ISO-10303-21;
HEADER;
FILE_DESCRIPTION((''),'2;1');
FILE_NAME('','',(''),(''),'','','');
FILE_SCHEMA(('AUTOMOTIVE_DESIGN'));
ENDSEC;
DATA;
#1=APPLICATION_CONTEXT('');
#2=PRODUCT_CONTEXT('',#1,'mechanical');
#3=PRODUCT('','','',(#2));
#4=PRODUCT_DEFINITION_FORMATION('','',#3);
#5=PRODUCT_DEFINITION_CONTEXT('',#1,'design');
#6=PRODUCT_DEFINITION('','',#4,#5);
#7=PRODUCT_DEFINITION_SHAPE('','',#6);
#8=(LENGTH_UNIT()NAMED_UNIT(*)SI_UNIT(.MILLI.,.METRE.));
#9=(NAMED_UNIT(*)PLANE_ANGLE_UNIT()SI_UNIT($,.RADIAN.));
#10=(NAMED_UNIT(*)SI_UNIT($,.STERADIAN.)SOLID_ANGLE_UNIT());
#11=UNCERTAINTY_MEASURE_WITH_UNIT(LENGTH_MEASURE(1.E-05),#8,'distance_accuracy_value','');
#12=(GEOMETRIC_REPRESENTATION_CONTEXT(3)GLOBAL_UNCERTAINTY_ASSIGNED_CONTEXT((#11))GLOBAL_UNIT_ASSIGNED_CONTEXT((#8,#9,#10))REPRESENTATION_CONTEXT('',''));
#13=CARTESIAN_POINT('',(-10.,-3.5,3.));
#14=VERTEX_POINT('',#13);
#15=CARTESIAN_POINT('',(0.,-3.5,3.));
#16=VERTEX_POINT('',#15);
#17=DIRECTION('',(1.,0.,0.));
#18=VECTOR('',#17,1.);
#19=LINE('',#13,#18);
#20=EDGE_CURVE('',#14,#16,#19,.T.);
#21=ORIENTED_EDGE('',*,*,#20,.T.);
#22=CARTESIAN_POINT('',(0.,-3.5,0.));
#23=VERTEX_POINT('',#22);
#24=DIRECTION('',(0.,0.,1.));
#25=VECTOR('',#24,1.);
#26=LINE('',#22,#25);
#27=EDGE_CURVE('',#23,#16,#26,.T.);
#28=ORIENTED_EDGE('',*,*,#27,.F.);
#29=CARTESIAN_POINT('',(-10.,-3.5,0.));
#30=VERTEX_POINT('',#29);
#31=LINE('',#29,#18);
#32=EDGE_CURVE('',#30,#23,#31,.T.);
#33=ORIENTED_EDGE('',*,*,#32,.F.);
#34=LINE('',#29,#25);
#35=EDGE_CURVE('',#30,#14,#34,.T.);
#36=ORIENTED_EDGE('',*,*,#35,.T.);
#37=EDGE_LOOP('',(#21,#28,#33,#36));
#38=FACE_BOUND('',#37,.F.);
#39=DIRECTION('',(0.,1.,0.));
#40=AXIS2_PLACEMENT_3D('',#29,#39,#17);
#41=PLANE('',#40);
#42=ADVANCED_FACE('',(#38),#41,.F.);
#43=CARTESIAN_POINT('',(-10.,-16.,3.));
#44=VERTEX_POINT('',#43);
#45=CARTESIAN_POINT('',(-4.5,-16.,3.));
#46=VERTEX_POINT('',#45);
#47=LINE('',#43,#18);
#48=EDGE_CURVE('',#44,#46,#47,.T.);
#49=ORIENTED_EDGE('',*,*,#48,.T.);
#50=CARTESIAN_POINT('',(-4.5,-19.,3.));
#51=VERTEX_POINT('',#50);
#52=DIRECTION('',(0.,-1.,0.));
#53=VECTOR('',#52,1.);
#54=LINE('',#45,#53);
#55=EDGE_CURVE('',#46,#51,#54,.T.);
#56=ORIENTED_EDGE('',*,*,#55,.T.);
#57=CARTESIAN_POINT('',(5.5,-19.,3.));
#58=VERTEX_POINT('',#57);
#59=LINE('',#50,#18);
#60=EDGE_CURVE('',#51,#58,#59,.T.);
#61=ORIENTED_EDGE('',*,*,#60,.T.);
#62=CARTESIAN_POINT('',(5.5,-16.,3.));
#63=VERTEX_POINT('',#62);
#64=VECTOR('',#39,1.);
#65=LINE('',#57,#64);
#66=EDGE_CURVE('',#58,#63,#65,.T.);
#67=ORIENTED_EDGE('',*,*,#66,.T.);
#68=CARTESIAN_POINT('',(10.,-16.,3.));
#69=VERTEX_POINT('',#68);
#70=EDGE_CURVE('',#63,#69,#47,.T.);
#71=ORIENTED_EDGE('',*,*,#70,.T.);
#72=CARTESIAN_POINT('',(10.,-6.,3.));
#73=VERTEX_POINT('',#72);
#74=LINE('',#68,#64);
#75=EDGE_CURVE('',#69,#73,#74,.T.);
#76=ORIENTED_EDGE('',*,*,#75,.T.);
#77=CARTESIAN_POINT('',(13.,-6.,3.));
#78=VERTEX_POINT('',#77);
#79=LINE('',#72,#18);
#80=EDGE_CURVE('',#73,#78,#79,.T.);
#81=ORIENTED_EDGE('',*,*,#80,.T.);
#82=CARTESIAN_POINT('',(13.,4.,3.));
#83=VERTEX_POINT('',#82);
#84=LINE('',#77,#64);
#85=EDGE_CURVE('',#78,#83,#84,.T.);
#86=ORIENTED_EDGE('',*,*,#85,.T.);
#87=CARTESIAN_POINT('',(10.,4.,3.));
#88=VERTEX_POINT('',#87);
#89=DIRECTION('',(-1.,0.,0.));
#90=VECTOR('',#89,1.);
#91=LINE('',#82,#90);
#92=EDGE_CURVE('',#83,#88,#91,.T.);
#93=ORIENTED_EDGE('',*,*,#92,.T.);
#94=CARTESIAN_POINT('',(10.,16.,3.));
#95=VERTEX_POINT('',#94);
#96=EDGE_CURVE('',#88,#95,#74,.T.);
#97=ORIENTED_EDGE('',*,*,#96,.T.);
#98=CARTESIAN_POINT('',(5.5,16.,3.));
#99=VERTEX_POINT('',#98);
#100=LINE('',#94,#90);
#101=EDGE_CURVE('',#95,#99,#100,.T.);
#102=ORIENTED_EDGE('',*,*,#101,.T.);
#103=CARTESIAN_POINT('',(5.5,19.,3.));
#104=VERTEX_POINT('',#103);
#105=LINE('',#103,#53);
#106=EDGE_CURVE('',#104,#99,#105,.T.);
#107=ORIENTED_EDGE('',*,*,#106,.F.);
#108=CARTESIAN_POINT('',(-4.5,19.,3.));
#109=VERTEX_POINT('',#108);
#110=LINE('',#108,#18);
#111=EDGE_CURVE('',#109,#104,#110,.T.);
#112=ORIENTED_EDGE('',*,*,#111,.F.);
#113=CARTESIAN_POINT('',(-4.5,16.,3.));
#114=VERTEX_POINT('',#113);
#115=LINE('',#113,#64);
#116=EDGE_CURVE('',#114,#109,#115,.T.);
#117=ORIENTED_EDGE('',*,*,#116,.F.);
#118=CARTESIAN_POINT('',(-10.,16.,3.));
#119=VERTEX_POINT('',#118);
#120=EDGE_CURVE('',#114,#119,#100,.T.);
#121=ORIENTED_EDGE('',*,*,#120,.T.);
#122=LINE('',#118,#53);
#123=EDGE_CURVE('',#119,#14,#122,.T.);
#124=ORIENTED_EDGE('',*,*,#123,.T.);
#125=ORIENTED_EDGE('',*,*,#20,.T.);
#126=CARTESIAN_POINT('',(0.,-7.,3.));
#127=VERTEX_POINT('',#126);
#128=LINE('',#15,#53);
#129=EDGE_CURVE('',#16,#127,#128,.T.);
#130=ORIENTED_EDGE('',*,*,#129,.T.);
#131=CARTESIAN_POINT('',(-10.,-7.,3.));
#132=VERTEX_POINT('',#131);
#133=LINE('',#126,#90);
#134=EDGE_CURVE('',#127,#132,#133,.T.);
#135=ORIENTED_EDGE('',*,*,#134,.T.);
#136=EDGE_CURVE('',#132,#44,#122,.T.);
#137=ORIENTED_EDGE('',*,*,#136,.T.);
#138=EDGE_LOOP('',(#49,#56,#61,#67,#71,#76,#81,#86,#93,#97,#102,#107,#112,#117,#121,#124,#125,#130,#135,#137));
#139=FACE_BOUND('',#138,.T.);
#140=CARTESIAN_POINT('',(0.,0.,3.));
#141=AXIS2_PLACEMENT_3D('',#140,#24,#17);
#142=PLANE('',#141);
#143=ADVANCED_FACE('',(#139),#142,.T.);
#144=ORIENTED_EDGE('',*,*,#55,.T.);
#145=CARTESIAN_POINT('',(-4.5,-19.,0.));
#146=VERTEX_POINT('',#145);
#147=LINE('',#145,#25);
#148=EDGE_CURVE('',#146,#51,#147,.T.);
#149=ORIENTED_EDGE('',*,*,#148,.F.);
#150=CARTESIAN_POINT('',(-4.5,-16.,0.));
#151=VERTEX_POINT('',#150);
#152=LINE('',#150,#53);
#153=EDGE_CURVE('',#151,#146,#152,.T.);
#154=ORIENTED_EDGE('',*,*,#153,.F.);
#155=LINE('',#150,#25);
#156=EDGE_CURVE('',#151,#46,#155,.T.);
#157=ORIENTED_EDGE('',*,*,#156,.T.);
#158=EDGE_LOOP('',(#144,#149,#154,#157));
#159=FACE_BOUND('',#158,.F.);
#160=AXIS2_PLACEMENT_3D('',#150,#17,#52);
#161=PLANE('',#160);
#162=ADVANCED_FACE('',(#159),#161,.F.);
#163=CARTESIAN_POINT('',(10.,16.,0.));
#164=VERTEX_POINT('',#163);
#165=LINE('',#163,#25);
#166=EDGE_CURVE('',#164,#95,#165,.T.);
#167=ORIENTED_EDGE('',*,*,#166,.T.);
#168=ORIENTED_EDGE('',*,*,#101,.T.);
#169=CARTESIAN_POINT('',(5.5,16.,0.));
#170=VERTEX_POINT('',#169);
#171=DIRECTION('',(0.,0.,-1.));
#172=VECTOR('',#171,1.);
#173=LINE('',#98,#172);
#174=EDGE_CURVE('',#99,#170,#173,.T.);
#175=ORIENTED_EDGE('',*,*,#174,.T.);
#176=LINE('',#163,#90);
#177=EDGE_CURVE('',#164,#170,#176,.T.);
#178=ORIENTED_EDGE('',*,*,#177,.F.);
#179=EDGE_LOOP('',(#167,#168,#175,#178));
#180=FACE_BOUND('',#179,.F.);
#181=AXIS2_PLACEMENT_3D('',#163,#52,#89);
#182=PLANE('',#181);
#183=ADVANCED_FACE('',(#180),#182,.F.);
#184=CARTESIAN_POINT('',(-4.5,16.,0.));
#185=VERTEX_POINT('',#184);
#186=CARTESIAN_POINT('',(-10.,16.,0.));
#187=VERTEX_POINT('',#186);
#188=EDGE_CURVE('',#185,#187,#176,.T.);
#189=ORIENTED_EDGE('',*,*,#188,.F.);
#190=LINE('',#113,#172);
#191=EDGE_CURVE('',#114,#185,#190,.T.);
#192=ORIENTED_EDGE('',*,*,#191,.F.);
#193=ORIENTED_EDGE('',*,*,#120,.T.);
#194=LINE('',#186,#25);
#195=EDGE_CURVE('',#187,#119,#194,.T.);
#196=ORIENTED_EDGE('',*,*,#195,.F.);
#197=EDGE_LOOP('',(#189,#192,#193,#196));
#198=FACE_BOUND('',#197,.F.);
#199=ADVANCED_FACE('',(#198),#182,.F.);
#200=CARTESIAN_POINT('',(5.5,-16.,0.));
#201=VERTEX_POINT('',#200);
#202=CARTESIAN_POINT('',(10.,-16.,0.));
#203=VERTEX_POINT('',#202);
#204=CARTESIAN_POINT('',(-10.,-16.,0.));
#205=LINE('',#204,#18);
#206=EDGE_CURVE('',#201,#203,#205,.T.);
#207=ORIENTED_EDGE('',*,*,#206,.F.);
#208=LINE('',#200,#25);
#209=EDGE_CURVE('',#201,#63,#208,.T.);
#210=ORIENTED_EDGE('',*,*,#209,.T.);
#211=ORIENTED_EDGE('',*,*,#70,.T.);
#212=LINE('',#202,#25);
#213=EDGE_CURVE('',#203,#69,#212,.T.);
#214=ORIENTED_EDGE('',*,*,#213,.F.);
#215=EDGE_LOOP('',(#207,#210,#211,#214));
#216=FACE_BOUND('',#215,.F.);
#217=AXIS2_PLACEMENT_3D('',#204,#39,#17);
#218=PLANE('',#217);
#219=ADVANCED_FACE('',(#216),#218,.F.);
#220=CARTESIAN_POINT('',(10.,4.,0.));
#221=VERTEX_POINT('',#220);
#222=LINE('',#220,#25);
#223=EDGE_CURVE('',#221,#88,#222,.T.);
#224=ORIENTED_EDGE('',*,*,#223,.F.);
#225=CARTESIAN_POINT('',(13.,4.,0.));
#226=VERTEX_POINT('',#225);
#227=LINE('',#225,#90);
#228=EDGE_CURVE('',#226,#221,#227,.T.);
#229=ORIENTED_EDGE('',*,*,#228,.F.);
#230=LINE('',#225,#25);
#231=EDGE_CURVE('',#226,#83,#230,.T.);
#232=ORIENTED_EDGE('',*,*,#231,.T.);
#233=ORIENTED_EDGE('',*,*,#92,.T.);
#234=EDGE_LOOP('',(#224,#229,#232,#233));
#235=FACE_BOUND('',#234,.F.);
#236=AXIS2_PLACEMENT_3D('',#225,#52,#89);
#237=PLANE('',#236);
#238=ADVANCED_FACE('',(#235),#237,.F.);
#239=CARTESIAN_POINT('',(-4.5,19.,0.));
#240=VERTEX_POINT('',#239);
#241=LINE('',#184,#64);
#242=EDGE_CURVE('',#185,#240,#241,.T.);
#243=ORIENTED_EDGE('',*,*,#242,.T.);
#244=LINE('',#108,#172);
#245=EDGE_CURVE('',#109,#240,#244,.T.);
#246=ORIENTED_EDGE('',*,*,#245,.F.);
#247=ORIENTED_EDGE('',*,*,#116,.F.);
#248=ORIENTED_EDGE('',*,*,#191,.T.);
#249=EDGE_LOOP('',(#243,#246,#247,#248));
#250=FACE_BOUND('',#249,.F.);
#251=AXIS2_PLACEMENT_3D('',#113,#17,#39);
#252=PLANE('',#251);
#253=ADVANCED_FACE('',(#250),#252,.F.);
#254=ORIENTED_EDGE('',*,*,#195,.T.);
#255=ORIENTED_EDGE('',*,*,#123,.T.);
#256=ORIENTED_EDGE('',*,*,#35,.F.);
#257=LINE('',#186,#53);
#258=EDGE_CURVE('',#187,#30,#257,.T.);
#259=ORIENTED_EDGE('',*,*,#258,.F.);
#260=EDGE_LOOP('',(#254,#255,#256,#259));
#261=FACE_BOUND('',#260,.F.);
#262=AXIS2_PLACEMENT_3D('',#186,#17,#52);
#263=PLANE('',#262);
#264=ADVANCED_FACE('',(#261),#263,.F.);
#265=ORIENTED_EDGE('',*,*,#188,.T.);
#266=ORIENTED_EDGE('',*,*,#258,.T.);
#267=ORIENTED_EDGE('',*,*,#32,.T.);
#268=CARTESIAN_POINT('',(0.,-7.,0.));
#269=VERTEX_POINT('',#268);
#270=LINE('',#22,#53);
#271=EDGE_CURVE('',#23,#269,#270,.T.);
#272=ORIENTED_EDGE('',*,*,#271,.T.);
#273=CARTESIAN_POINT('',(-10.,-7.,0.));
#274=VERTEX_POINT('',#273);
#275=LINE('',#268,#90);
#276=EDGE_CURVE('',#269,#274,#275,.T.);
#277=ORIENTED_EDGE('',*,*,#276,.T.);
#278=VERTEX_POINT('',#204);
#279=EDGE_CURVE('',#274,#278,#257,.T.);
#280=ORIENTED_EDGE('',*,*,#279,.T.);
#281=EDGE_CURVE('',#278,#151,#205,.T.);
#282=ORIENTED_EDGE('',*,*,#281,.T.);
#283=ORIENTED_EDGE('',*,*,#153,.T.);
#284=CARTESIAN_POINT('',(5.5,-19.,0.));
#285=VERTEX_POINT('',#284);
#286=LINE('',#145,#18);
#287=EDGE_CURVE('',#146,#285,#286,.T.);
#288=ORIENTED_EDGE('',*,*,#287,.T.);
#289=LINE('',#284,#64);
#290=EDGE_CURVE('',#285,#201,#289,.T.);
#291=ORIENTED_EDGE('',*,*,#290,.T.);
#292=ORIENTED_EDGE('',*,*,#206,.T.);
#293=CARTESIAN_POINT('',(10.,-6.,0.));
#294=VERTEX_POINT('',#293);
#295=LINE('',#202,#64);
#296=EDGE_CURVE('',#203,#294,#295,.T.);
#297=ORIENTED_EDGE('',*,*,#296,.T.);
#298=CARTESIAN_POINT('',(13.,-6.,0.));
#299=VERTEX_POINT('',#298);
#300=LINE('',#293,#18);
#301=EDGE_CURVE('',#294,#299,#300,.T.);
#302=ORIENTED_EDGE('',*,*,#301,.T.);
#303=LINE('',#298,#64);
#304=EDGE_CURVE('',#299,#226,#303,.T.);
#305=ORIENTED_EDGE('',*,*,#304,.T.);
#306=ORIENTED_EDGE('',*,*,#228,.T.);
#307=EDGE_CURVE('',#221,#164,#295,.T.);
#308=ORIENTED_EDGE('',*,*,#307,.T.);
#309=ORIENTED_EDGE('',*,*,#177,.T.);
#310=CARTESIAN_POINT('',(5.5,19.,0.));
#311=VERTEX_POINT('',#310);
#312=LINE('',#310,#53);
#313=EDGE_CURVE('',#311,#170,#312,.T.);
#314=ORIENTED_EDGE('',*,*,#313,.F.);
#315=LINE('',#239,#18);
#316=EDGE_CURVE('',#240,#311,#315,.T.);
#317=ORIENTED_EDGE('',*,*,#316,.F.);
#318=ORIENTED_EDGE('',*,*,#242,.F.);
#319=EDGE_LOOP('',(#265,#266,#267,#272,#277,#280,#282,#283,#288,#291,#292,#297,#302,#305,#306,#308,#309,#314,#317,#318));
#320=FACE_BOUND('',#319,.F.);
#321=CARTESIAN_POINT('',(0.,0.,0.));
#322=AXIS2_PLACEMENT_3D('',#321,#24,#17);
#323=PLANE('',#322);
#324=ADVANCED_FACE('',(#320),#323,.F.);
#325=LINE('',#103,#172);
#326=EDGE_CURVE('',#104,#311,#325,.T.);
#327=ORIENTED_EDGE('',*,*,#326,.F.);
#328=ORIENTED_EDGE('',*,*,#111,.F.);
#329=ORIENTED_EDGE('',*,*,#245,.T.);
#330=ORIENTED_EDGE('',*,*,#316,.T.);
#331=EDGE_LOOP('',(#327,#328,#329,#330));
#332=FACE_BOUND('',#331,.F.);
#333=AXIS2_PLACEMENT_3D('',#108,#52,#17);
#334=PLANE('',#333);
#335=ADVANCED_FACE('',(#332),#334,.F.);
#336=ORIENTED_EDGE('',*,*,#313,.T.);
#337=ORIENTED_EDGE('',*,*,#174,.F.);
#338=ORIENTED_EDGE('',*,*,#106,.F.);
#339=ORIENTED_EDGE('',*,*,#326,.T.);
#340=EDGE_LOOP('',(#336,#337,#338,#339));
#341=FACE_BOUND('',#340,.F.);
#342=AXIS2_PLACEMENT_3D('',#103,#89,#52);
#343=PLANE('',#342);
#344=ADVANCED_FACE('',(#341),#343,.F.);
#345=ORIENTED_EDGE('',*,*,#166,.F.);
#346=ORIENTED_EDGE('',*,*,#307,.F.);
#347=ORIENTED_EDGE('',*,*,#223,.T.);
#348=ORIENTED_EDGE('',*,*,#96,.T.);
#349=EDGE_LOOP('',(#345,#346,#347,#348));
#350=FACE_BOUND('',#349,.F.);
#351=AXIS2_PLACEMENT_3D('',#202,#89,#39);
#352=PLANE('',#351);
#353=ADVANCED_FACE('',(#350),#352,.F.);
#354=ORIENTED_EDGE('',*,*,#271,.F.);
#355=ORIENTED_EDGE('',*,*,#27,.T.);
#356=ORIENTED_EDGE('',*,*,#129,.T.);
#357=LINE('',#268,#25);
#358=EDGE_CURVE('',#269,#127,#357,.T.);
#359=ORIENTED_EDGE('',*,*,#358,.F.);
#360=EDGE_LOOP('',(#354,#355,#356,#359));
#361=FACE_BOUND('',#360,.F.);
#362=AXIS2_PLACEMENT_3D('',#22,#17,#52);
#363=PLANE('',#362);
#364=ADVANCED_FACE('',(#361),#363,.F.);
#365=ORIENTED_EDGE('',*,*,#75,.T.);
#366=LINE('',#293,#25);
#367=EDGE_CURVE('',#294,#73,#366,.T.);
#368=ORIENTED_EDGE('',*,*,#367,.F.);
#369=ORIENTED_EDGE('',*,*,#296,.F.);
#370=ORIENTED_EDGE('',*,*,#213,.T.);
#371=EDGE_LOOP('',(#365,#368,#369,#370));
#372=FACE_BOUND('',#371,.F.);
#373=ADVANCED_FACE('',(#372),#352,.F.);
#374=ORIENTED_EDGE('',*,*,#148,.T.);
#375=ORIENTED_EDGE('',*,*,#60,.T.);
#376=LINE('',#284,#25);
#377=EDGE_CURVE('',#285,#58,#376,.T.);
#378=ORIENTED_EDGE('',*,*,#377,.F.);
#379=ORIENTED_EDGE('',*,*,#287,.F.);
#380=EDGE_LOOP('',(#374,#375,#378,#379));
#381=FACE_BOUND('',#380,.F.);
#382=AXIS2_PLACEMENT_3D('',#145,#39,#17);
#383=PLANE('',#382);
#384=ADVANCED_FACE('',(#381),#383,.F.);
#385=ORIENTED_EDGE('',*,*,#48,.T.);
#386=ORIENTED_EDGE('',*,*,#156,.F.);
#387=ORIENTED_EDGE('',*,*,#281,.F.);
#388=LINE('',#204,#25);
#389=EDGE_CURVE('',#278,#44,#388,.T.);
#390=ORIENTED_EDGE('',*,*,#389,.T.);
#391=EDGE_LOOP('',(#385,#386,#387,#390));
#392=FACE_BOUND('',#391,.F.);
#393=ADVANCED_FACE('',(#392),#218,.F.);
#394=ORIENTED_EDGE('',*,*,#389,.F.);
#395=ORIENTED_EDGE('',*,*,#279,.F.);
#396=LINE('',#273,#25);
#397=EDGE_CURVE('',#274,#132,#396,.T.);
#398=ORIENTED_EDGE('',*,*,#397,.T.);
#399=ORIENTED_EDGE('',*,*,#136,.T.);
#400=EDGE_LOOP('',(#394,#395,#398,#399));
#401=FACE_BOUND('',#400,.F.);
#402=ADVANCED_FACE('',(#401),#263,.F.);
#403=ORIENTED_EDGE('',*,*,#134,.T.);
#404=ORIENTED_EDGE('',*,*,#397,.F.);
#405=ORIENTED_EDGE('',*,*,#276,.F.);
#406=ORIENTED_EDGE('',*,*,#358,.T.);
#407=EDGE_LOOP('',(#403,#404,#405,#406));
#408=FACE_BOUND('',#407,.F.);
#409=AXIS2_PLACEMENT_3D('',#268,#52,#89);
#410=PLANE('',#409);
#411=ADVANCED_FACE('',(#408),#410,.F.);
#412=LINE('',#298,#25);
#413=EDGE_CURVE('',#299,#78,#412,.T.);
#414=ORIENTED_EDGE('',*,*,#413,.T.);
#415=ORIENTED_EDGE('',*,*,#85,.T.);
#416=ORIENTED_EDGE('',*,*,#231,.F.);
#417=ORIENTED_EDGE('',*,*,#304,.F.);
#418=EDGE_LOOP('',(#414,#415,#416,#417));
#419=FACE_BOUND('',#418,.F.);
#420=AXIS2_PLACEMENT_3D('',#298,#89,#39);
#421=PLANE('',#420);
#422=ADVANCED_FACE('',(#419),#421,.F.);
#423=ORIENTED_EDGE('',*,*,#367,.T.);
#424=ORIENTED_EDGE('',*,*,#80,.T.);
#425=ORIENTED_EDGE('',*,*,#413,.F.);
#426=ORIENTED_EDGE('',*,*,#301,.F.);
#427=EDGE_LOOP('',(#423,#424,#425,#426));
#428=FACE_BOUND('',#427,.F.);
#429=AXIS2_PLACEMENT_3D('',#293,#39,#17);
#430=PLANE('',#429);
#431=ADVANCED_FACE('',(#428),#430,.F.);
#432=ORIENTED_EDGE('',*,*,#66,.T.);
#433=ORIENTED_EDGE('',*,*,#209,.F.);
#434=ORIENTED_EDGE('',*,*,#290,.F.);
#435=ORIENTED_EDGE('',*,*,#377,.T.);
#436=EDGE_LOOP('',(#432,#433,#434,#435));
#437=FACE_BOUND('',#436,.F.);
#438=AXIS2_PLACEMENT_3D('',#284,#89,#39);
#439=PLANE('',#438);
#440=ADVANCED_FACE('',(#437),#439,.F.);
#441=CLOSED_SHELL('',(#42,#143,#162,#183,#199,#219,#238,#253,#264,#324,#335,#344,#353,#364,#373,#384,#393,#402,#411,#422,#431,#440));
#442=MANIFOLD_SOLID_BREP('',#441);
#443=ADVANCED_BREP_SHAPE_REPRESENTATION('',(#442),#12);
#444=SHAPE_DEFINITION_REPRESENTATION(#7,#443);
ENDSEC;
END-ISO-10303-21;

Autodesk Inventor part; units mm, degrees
ref_plane "YZ Plane" through (0, 0, 0) normal (1, 0, 0) x (0, 1, 0)
ref_plane "XZ Plane" through (0, 0, 0) normal (0, 1, 0) x (-1, 0, 0)
ref_plane "XY Plane" through (0, 0, 0) normal (0, 0, 1) x (1, 0, 0)
sketch "Sketch1" plane through (0, 0, 0) normal (0, 0, 1) x (1, 0, 0)
  line L0 (-10, -16) -> (10, -16)
  line L1 (10, -16) -> (10, 16)
  line L2 (10, 16) -> (-10, 16)
  line L3 (-10, 16) -> (-10, -16)
  line L4 (-10, -16) -> (10, 16) construction
  line L5 (10, -16) -> (-10, 16) construction
  point P0 (0, 0)
  dimension "d0" = 32
  dimension "d1" = 20
extrude "Extrusion1" add sketch "Sketch1" along normal blind 3
sketch "Sketch2" plane through (0, 0, 0) normal (0, 0, -1) x (-1, 0, 0)
  line L0 (10, -16) -> (-10, -16) projected
  line L1 (-5.5, -16) -> (4.5, -16)
  line L2 (4.5, -16) -> (4.5, -19)
  line L3 (4.5, -19) -> (-5.5, -19)
  line L4 (-5.5, -19) -> (-5.5, -16)
  line L5 (-10, -16) -> (-10, 16) projected
  point P0 (0, 0)
  dimension "d4" = 10
  dimension "d5" = 3
  dimension "d6" = 4.5
extrude "Extrusion2" add sketch "Sketch2" against normal blind 3
sketch "Sketch3" plane through (0, 0, 0) normal (0, 0, -1) x (-1, 0, 0)
  line L0 (-10, -16) -> (-10, 16) projected
  line L1 (-10, -6) -> (-13, -6)
  line L2 (-13, -6) -> (-13, 4)
  line L3 (-13, 4) -> (-10, 4)
  line L4 (-10, 4) -> (-10, -6)
  line L5 (-5.5, -16) -> (-10, -16) projected
  point P0 (0, 0)
  dimension "d9" = 3
  dimension "d10" = 10
  dimension "d11" = 10
extrude "Extrusion3" add sketch "Sketch3" against normal blind 3
sketch "Sketch4" plane through (0, 0, 0) normal (0, 0, -1) x (-1, 0, 0)
  line L0 (10, 16) -> (10, -16) projected
  line L1 (10, -3.5) -> (0, -3.5)
  line L2 (0, -3.5) -> (0, -7)
  line L3 (0, -7) -> (10, -7)
  line L4 (10, -7) -> (10, -3.5)
  line L5 (10, -16) -> (4.5, -16) projected
  point P0 (0, 0)
  dimension "d14" = 10
  dimension "d15" = 3.5
  dimension "d16" = 9
extrude "Extrusion4" cut sketch "Sketch4" against normal blind 3
sketch "Sketch5" plane through (0, 0, 3) normal (0, 0, 1) x (1, 0, 0)
  line L0 (10, 16) -> (-10, 16) projected
  line L1 (5.5, 16) -> (-4.5, 16)
  line L2 (-4.5, 16) -> (-4.5, 19)
  line L3 (-4.5, 19) -> (5.5, 19)
  line L4 (5.5, 19) -> (5.5, 16)
  line L5 (5.5, -19) -> (5.5, -16) projected
  point P0 (0, 0)
  dimension "d19" = 10
  dimension "d20" = 3
extrude "Extrusion5" add sketch "Sketch5" against normal blind 3
properties part number "Board holders"
